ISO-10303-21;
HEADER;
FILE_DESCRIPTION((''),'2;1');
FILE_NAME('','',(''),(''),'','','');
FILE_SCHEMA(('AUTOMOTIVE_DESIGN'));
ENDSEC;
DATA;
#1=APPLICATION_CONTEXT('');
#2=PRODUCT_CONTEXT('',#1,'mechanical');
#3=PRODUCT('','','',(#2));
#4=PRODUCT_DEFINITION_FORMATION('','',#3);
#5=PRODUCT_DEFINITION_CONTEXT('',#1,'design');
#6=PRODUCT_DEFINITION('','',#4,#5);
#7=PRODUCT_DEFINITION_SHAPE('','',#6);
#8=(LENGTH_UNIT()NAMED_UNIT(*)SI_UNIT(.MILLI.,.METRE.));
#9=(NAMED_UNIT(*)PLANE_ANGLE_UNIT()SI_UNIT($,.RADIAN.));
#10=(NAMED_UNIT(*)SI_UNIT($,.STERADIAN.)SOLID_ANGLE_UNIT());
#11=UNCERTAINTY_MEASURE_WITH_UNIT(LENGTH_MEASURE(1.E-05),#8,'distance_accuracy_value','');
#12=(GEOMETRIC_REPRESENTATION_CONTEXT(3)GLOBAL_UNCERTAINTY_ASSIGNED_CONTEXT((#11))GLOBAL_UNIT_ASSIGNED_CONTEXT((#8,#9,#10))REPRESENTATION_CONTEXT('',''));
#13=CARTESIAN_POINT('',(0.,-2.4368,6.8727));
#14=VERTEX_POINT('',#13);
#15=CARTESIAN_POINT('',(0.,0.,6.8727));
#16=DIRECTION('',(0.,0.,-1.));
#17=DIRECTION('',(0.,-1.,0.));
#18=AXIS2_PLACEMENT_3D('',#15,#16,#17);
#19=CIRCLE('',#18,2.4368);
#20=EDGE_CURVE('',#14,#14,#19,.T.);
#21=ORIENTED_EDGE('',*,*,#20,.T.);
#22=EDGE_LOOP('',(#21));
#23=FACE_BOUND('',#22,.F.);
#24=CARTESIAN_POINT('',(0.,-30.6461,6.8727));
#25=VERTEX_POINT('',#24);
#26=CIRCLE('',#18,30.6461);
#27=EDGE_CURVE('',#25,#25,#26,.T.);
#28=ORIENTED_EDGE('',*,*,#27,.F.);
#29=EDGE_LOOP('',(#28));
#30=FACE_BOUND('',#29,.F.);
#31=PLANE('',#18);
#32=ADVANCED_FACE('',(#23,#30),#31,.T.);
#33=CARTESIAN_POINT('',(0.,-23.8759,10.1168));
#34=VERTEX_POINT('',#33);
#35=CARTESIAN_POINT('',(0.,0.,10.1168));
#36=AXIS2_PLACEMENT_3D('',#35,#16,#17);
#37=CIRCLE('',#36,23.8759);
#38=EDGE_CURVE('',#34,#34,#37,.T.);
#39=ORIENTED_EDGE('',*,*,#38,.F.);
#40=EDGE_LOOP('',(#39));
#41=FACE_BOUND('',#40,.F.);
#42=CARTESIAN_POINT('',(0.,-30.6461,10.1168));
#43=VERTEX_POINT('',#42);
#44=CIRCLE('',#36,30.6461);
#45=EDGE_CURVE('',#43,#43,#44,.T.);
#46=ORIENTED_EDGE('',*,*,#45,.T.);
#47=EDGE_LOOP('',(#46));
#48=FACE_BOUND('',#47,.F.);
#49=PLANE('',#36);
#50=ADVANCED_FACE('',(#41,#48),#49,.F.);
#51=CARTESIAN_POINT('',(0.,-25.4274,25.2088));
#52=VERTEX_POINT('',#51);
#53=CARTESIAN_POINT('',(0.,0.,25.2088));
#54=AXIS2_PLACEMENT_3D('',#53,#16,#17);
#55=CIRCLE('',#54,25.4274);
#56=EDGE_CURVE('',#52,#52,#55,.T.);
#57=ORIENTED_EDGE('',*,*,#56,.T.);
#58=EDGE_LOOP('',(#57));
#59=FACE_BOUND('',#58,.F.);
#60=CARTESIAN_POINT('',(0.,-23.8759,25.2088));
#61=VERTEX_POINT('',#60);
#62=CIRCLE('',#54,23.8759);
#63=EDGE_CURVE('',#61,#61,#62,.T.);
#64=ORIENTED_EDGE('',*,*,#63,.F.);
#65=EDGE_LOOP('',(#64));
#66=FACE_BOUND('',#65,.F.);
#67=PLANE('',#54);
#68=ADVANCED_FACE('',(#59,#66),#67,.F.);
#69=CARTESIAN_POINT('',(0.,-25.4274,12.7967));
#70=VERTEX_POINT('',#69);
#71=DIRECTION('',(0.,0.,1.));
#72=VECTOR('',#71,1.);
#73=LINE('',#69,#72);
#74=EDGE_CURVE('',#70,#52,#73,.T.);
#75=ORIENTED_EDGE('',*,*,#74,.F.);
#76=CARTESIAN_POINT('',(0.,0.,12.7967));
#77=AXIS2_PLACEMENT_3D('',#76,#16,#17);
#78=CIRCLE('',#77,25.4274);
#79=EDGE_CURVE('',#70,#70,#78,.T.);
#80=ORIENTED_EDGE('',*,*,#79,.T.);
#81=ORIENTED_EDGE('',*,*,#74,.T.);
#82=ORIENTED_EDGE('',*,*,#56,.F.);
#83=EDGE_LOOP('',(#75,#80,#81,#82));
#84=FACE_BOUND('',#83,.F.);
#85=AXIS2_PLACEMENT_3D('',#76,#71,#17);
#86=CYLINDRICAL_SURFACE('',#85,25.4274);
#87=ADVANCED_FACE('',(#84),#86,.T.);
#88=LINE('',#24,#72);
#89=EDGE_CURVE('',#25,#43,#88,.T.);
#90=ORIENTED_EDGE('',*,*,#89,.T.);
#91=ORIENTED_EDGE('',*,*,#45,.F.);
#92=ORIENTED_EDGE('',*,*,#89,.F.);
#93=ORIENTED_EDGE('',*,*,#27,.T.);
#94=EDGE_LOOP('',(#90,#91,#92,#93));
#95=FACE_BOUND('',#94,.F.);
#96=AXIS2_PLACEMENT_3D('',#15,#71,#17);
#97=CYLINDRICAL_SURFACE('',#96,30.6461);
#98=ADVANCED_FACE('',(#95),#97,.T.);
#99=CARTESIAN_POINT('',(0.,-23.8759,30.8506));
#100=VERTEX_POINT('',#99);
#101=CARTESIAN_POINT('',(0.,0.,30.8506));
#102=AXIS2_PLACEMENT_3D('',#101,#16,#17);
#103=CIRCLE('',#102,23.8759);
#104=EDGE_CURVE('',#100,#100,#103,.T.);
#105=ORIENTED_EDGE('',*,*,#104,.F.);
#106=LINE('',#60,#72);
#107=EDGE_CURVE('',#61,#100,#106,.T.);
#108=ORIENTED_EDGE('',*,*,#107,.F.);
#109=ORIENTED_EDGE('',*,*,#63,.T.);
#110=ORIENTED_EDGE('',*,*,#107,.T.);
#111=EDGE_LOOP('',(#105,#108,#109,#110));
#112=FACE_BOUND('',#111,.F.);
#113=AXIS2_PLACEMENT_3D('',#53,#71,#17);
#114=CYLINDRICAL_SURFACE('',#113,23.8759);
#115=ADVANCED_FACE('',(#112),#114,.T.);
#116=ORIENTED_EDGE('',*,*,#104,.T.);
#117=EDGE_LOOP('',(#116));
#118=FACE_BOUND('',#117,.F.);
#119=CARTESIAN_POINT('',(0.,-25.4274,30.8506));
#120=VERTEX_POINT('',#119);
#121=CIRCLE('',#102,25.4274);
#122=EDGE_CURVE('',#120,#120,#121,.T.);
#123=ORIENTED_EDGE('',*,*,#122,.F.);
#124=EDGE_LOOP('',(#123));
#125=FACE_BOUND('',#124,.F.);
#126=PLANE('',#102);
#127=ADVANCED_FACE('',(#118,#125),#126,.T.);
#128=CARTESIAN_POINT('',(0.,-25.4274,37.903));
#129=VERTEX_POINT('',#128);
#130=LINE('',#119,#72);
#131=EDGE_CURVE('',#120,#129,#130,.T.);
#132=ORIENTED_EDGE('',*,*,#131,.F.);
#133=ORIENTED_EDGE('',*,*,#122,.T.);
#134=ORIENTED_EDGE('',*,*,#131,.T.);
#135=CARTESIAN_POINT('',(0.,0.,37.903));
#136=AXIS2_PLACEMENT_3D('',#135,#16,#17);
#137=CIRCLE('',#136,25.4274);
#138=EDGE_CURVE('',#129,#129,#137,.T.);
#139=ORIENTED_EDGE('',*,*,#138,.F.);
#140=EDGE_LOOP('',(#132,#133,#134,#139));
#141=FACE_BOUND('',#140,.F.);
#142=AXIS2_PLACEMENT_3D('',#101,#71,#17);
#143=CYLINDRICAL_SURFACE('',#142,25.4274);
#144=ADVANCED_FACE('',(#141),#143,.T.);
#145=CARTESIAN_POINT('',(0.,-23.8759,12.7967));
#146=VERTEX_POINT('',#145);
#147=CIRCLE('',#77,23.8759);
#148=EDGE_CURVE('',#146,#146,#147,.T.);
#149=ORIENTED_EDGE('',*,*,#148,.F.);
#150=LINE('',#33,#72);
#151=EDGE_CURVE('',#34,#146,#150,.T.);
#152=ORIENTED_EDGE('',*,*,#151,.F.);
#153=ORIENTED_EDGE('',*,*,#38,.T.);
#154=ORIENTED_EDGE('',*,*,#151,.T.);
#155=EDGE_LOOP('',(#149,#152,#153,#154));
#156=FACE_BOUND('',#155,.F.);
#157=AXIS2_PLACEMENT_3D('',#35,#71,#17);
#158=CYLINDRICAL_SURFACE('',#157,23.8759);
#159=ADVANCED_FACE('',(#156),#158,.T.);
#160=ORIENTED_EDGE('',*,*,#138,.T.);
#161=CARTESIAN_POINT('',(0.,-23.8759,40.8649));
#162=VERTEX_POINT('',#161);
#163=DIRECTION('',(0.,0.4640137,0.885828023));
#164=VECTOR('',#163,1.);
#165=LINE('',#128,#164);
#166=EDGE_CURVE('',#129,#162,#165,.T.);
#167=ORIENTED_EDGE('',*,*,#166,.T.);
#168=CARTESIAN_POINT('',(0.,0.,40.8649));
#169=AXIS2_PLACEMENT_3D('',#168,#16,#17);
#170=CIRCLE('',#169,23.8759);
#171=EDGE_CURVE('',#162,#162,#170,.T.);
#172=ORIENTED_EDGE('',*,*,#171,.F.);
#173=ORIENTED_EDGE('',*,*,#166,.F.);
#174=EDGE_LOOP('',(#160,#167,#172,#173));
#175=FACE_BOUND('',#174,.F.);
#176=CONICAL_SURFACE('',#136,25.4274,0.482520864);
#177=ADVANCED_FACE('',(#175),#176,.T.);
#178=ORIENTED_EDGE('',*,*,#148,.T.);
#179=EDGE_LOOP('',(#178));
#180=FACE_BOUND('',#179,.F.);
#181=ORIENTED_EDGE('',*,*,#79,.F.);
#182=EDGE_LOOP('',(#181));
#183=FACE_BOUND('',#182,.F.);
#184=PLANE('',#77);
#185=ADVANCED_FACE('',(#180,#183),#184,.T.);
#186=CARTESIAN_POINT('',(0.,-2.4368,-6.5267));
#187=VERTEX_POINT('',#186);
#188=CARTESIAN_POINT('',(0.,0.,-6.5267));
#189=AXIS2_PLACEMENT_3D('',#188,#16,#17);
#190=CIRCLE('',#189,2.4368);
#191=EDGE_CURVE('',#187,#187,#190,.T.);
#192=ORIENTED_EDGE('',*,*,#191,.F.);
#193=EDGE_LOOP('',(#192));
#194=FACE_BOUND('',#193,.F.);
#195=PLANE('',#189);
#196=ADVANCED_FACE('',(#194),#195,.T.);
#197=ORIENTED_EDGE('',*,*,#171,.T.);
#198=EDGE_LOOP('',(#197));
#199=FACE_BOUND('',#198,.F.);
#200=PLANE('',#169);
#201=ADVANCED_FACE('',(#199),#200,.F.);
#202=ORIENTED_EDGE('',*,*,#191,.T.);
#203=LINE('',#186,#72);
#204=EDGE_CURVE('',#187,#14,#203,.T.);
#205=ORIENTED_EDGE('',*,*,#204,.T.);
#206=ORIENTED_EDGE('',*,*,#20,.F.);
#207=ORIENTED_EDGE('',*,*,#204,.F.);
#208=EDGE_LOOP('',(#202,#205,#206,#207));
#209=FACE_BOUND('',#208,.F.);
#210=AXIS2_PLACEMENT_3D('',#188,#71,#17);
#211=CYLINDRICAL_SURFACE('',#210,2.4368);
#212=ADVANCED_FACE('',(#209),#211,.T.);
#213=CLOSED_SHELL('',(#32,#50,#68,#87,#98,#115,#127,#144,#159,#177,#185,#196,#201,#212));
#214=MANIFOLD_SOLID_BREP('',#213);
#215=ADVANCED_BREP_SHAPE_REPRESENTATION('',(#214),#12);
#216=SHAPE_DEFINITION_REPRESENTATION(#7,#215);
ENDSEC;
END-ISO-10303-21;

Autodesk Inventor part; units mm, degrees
ref_plane "YZ Plane" through (0, 0, 0) normal (1, 0, 0) x (0, 1, 0)
ref_plane "XZ Plane" through (0, 0, 0) normal (0, 1, 0) x (-1, 0, 0)
ref_plane "XY Plane" through (0, 0, 0) normal (0, 0, 1) x (1, 0, 0)
sketch "Эскиз1" plane through (0, 0, 0) normal (1, 0, 0) x (0, 1, 0)
  line L0 (-2.4368, -6.5267) -> (-2.4368, 6.8727)
  line L1 (-2.4368, 6.8727) -> (-30.6461, 6.8727)
  line L2 (-30.6461, 6.8727) -> (-30.6461, 10.1168)
  line L3 (-30.6461, 10.1168) -> (-23.8759, 10.1168)
  line L4 (-23.8759, 10.1168) -> (-23.8759, 12.7967)
  line L5 (-23.8759, 12.7967) -> (-25.4274, 12.7967)
  line L6 (-25.4274, 12.7967) -> (-25.4274, 25.2088)
  line L7 (-25.4274, 25.2088) -> (-23.8759, 25.2088)
  line L8 (-23.8759, 25.2088) -> (-23.8759, 30.8506)
  line L9 (-23.8759, 30.8506) -> (-25.4274, 30.8506)
  line L10 (-25.4274, 30.8506) -> (-25.4274, 37.903)
  line L11 (-25.4274, 37.903) -> (-23.8759, 40.8649)
  line L12 (-23.8759, 40.8649) -> (0, 40.8649)
  line L13 (0, 40.8649) -> (0, -6.5267)
  line L14 (0, -6.5267) -> (-2.4368, -6.5267)
  point P0 (0, 0)
revolve "Вращение1" add sketch "Эскиз1" angle 360 about axis through (0, 0, 40.8649) along (0, 0, -1)
properties part number "Моторчик_Замка"
